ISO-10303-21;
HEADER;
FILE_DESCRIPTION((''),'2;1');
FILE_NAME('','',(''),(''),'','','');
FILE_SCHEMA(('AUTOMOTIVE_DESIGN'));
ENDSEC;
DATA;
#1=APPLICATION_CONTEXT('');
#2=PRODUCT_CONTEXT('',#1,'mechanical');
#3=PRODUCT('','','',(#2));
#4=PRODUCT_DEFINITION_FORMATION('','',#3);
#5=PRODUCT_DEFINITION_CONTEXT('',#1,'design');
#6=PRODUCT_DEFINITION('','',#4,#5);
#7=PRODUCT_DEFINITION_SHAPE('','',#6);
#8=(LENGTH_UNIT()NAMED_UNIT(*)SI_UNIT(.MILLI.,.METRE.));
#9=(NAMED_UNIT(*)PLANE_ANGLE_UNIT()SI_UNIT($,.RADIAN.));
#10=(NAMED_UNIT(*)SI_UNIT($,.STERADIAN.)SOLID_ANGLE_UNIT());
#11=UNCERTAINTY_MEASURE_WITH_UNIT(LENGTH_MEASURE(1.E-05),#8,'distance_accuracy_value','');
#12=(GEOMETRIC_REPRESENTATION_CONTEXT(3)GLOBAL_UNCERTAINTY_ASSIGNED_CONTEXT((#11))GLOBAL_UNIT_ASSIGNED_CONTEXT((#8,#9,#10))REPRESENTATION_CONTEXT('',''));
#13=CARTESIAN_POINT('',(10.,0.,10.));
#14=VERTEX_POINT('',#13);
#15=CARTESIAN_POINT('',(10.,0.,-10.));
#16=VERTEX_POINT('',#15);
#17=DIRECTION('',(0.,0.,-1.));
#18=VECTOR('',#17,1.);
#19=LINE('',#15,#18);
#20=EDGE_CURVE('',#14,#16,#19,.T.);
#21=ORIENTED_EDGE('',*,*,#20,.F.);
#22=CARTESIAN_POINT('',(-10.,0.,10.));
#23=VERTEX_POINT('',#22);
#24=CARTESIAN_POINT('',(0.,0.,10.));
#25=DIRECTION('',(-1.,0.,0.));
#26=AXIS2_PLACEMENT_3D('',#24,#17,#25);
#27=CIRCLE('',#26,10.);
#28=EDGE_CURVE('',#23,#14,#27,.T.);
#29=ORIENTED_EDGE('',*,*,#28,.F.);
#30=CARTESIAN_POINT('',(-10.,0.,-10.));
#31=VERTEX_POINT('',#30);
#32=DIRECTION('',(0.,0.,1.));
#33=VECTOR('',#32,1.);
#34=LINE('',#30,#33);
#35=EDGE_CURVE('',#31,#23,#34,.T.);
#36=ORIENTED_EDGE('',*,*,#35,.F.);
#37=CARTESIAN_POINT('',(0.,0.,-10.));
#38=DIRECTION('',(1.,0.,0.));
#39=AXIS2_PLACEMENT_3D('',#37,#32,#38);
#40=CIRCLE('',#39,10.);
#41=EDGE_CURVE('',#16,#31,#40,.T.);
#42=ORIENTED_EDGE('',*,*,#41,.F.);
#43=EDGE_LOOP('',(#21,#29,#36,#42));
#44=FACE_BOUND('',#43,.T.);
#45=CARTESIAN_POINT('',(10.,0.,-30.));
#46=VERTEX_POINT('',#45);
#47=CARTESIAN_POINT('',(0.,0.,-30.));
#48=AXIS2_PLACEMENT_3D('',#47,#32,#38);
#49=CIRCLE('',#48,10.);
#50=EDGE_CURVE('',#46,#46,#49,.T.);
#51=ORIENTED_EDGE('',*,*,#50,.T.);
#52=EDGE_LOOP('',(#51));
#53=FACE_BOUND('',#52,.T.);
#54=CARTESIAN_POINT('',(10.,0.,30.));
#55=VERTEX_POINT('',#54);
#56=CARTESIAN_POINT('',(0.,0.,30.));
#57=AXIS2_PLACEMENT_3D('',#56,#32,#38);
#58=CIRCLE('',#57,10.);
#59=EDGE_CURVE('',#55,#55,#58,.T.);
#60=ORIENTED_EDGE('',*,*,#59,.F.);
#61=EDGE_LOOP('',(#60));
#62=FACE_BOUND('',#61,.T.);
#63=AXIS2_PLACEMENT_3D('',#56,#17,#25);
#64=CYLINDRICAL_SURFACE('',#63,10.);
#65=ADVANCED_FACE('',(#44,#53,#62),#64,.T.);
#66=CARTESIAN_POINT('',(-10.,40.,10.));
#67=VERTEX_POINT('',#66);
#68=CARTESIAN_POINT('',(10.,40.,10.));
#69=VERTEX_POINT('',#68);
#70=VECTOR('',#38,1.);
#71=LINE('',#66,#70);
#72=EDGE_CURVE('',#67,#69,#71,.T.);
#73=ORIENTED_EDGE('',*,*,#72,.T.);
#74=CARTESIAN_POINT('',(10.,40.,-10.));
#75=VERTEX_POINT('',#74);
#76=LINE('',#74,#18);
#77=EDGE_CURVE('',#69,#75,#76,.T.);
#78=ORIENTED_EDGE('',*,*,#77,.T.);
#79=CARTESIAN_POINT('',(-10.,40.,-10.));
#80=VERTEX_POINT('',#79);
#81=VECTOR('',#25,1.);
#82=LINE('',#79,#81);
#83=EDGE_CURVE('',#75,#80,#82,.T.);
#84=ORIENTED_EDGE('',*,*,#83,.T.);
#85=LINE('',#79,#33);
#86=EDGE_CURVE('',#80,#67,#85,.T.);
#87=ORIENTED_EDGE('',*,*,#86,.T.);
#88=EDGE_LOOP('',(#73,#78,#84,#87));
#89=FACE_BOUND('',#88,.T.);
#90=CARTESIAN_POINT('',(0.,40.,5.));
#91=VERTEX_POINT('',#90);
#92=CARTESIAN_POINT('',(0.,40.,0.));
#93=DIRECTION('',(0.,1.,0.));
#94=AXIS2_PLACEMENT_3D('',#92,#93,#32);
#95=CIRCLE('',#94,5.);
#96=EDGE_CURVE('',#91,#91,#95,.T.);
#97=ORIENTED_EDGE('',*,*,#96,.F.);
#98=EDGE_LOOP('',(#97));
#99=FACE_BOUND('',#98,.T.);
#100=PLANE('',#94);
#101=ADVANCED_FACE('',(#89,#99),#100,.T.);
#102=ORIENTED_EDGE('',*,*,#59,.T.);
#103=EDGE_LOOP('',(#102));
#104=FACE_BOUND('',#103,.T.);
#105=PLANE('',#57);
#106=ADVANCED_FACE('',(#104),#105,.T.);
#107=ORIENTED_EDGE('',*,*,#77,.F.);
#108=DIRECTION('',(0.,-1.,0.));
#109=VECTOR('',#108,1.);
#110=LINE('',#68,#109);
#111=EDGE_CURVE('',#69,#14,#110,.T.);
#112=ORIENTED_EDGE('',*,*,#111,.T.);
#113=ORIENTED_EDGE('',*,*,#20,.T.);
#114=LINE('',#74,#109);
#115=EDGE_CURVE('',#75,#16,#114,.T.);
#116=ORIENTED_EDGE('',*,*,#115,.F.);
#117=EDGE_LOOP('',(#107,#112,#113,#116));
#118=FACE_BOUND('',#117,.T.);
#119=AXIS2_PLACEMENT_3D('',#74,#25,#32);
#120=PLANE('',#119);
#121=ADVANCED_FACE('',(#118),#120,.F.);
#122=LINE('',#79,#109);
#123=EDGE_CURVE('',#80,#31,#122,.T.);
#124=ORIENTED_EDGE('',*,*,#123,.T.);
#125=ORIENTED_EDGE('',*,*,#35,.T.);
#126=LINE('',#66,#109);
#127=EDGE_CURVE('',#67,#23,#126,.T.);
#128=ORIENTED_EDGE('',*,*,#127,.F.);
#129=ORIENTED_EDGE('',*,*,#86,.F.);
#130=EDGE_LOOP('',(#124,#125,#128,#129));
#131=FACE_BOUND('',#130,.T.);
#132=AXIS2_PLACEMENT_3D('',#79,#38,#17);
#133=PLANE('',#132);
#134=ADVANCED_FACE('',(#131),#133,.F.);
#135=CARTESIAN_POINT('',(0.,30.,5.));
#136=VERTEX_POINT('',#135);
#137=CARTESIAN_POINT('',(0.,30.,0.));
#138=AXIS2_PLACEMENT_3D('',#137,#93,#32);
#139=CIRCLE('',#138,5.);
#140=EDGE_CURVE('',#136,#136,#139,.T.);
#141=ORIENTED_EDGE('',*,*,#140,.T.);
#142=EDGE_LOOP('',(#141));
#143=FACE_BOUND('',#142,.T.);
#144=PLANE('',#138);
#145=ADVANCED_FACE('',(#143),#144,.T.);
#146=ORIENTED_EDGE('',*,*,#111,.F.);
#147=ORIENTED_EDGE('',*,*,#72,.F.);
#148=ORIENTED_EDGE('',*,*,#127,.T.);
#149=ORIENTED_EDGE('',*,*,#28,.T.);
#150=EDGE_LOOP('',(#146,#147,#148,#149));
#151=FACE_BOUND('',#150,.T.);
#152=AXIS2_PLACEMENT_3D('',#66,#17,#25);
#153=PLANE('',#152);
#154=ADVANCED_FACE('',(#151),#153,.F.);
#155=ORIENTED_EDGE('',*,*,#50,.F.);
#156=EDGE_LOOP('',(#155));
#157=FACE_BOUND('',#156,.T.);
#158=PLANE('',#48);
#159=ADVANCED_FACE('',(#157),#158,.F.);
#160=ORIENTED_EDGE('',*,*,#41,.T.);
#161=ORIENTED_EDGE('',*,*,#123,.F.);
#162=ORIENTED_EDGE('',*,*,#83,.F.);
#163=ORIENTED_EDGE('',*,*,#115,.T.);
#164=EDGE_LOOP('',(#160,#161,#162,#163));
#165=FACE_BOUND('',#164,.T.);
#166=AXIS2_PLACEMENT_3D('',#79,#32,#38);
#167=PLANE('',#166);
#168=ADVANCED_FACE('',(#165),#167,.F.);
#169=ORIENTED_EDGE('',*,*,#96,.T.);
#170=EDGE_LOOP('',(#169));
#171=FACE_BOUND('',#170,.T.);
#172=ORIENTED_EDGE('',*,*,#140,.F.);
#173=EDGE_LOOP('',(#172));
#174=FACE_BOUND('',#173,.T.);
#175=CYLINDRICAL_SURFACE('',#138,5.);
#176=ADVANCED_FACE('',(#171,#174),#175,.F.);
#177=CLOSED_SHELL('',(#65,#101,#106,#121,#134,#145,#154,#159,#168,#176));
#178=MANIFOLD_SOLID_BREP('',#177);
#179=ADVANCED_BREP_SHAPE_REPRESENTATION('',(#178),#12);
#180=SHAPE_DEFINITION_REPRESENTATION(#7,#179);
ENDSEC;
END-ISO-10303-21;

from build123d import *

# Parameters (mm, degrees)
SKETCH2_R           = 10
BOSS_EXTRUDE1_DEPTH = 30
SKETCH3_W           = 20
SKETCH3_H           = 20
BOSS_EXTRUDE2_DEPTH = 40
SKETCH4_R           = 5
CUT_EXTRUDE1_DEPTH  = 10


with BuildPart() as part:
    # Sketch2 → Boss-Extrude1 (new body, symmetric)
    with BuildSketch(Plane.XY):
        Circle(SKETCH2_R)
    extrude(amount=BOSS_EXTRUDE1_DEPTH, both=True)

    # Sketch3 → Boss-Extrude2 (add)
    with BuildSketch(Plane(origin=(0, 0, 0), x_dir=(1, 0, 0), z_dir=(0, 1, 0))):
        Rectangle(SKETCH3_W, SKETCH3_H)
    extrude(amount=BOSS_EXTRUDE2_DEPTH)

    # Sketch4 → Cut-Extrude1 (cut)
    with BuildSketch(Plane(origin=(0, 40, 0), x_dir=(1, 0, 0), z_dir=(0, 1, 0))):
        Circle(SKETCH4_R)
    extrude(amount=-CUT_EXTRUDE1_DEPTH, mode=Mode.SUBTRACT)


solid = part.part
